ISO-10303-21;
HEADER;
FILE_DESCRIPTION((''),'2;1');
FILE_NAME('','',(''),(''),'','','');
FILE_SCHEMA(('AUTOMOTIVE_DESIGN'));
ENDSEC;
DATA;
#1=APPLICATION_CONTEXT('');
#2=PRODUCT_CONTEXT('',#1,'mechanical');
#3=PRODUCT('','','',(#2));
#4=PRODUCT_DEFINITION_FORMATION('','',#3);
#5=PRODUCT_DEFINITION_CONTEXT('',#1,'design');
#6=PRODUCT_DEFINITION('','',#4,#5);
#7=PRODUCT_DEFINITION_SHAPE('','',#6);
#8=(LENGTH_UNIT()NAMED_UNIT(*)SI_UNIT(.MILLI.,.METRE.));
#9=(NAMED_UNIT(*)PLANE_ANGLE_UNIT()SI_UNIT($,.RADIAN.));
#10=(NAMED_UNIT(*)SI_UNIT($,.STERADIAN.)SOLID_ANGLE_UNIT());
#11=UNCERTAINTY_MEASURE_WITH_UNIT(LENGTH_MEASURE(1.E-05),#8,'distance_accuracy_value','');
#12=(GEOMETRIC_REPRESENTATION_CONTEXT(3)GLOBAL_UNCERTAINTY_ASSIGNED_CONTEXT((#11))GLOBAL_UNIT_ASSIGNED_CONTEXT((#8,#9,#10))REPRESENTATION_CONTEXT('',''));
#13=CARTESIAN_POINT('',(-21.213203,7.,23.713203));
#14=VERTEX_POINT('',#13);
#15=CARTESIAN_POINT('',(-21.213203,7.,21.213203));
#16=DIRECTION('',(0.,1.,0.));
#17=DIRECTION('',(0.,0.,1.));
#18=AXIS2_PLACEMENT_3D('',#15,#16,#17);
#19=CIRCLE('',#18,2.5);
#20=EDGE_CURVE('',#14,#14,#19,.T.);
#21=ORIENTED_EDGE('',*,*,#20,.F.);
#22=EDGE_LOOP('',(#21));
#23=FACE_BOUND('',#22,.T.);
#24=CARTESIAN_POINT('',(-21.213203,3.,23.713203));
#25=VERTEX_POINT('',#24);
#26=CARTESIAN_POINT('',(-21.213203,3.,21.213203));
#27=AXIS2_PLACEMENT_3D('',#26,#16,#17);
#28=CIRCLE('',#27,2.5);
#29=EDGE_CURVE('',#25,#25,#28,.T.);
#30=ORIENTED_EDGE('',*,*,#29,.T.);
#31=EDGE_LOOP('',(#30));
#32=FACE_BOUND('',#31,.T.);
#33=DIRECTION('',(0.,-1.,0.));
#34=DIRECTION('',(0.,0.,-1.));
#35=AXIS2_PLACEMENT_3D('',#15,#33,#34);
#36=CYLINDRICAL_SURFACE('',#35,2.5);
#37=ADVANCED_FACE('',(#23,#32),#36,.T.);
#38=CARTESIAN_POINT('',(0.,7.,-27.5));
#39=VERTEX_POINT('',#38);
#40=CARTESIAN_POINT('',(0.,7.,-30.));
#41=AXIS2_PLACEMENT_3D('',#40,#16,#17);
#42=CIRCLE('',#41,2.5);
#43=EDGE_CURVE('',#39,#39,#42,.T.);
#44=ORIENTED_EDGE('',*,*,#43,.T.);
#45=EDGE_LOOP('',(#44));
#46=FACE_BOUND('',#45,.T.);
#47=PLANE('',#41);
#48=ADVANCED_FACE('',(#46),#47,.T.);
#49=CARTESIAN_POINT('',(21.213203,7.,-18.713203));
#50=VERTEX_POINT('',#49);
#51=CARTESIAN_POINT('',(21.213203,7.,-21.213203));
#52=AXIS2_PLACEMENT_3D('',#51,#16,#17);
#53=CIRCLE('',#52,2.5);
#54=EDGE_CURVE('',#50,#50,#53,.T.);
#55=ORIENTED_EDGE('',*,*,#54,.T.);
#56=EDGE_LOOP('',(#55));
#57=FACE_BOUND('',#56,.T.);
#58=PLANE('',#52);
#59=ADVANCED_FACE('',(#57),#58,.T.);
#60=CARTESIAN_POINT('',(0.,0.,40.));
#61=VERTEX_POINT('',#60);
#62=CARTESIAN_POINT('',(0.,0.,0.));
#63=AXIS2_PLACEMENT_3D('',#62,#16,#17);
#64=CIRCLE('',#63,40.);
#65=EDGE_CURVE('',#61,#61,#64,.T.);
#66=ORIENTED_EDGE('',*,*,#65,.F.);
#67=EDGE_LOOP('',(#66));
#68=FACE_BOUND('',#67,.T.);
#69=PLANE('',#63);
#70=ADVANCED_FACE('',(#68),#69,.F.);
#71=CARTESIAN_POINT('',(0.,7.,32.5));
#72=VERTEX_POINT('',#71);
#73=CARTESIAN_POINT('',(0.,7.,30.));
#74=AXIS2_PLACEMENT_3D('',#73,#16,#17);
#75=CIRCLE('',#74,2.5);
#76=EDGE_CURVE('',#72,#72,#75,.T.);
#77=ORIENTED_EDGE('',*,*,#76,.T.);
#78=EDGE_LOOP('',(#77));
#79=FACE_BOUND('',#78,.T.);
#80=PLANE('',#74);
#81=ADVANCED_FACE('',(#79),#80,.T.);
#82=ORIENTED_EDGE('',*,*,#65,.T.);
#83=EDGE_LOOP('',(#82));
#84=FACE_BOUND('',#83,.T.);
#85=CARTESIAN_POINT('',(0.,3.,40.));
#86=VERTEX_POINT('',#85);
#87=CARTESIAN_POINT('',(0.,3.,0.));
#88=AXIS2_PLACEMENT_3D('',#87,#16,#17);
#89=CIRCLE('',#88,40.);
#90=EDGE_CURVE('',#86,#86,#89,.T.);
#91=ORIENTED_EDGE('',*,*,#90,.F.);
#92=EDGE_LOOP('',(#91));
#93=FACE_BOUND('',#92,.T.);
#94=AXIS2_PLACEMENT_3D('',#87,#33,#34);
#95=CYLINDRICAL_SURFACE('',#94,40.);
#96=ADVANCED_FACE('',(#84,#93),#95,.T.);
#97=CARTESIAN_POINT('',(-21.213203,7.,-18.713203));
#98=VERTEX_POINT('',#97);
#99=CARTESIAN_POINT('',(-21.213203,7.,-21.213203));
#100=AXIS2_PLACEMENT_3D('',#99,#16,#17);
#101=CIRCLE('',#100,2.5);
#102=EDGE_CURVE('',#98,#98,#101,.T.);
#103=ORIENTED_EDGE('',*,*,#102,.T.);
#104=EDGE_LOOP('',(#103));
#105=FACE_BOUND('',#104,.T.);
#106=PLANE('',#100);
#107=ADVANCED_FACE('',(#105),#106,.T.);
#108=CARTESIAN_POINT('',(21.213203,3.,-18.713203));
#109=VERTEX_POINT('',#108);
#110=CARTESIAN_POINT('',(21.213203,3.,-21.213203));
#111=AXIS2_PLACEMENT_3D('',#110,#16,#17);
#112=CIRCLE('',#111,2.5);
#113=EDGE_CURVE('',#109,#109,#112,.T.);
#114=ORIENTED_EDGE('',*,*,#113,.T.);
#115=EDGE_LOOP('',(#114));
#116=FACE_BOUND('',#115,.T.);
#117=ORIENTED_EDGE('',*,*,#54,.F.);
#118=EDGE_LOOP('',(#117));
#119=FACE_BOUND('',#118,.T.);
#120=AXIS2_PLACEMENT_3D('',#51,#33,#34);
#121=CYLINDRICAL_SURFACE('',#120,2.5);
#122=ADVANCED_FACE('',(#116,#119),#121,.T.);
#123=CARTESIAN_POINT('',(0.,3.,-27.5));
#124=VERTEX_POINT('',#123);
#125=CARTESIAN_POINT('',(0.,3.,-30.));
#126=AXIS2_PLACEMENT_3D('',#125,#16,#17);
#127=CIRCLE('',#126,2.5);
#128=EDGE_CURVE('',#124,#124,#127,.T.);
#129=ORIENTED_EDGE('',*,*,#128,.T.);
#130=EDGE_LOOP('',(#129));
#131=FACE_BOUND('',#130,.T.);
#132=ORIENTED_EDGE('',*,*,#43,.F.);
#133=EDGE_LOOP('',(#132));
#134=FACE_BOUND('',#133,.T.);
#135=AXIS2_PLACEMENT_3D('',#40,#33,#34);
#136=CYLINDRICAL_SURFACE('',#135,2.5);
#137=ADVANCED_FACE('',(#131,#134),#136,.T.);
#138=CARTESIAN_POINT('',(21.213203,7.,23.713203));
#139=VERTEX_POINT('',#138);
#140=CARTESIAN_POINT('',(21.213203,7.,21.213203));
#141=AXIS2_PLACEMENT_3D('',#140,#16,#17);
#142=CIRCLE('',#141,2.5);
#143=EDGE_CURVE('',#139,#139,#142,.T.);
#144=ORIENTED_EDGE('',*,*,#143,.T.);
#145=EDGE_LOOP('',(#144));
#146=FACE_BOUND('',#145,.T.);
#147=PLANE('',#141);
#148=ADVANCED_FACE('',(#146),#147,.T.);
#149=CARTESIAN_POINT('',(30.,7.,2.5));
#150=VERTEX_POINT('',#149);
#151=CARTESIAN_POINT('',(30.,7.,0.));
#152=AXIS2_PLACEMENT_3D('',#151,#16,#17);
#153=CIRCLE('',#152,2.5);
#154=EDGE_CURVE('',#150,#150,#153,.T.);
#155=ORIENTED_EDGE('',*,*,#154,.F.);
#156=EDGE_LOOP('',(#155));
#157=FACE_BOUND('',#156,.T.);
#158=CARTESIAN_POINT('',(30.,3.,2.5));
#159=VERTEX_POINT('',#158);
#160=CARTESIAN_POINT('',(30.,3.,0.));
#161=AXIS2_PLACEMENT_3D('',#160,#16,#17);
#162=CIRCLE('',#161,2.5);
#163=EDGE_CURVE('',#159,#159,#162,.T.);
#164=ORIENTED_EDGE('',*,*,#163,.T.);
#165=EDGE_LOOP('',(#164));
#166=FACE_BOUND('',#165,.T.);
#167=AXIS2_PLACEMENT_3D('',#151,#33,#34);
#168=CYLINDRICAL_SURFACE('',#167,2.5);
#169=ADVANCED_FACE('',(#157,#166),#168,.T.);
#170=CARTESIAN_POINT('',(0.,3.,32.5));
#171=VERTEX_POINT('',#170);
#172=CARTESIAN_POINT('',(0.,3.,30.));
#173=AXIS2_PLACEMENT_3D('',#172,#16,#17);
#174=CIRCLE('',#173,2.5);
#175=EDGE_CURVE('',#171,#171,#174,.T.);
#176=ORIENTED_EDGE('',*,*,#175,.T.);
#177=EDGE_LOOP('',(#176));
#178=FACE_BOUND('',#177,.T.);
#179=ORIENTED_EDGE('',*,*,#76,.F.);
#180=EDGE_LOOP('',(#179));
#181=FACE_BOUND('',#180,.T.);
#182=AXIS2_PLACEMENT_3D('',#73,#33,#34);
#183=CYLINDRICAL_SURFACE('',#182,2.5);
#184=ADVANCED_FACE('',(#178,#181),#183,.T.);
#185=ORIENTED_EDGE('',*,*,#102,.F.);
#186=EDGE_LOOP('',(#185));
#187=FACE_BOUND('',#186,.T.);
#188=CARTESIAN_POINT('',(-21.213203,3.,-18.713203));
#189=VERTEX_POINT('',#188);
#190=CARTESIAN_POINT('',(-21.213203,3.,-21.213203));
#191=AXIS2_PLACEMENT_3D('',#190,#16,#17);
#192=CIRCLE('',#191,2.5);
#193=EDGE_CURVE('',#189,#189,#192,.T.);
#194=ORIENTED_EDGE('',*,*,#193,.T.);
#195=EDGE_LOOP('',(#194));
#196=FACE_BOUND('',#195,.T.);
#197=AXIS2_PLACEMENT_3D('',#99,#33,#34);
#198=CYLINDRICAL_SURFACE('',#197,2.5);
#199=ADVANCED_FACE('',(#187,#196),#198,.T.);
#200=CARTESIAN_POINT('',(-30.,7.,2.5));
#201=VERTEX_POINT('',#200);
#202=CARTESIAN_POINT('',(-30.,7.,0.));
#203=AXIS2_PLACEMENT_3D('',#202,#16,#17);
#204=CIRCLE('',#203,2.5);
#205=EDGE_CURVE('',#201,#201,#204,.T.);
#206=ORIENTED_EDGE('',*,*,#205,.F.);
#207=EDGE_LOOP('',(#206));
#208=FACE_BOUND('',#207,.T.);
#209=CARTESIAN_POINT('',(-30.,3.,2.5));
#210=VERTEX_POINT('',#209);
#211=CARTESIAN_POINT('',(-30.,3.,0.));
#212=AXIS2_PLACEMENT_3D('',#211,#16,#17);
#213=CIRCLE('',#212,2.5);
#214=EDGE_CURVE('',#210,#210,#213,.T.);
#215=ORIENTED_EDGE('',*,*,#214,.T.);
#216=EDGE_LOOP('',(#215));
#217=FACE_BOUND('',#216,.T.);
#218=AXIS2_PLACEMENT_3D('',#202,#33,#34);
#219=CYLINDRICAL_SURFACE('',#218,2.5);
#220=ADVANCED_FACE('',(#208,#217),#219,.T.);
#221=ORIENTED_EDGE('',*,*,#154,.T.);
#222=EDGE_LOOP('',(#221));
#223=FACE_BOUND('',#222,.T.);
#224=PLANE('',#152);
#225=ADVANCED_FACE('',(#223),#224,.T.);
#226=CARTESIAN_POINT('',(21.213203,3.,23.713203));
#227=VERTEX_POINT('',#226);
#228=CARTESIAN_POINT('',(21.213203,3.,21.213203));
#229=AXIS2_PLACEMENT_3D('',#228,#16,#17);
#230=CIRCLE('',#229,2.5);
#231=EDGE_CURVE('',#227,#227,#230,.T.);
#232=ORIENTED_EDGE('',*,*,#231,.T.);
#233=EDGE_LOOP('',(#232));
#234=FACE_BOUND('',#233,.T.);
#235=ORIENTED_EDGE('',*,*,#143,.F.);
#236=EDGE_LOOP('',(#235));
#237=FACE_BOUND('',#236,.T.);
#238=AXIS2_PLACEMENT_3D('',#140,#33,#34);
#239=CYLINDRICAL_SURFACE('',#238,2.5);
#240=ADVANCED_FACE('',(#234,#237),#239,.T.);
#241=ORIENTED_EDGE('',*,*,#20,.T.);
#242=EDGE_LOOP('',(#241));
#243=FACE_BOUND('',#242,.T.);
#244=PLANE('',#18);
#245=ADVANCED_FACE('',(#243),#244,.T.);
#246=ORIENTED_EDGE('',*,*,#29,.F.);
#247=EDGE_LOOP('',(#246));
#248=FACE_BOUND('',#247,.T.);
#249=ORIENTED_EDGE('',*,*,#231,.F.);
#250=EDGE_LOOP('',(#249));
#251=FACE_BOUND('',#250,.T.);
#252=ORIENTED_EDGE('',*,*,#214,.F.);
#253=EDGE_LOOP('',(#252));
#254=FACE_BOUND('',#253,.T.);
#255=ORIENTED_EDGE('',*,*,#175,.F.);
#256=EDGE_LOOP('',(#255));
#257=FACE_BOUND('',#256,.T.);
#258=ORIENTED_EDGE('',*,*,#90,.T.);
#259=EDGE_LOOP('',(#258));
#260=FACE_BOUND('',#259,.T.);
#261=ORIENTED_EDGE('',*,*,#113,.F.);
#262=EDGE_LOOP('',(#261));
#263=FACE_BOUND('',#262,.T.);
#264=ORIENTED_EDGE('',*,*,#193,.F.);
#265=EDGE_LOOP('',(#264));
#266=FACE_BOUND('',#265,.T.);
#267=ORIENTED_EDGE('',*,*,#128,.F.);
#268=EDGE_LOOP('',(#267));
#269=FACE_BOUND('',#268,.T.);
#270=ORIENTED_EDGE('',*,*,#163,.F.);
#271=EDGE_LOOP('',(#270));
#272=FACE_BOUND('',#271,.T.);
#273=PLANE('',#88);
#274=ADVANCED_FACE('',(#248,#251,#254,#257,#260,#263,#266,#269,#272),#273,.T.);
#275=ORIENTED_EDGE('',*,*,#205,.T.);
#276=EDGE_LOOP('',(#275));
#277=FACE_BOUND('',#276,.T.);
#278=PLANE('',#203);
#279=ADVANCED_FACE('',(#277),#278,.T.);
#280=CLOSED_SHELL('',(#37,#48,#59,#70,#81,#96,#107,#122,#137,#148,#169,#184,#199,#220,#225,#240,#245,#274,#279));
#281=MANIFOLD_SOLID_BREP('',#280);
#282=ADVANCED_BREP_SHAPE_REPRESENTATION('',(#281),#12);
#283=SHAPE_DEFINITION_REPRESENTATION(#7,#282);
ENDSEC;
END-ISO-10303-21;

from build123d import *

# Parameters (mm, degrees)
SKETCH1_R           = 40
BOSS_EXTRUDE1_DEPTH = 3
SKETCH2_R           = 2.5
BOSS_EXTRUDE2_DEPTH = 4


with BuildPart() as part:
    # Sketch1 → Boss-Extrude1 (new body)
    with BuildSketch(Plane(origin=(0, 0, 0), x_dir=(1, 0, 0), z_dir=(0, 1, 0))):
        with Locations(Location((0, 0, 0), (0, 0, 270))):
            Circle(SKETCH1_R)
    extrude(amount=BOSS_EXTRUDE1_DEPTH)

    # Sketch2 → Boss-Extrude2 (add)
    with BuildSketch(Plane(origin=(0, 3, 0), x_dir=(1, 0, 0), z_dir=(0, 1, 0))):
        with Locations(Location((0, 30, 0), (0, 0, 270))):
            Circle(SKETCH2_R)
        with Locations(Location((21.213203436, 21.213203436, 0), (0, 0, 270))):
            Circle(SKETCH2_R)
        with Locations(Location((30, 0, 0), (0, 0, 270))):
            Circle(SKETCH2_R)
        with Locations(Location((21.213203436, -21.213203436, 0), (0, 0, 270))):
            Circle(SKETCH2_R)
        with Locations(Location((0, -30, 0), (0, 0, 270))):
            Circle(SKETCH2_R)
        with Locations(Location((-21.213203436, -21.213203436, 0), (0, 0, 270))):
            Circle(SKETCH2_R)
        with Locations(Location((-30, 0, 0), (0, 0, 270))):
            Circle(SKETCH2_R)
        with Locations(Location((-21.213203436, 21.213203436, 0), (0, 0, 270))):
            Circle(SKETCH2_R)
    extrude(amount=BOSS_EXTRUDE2_DEPTH)


solid = part.part
